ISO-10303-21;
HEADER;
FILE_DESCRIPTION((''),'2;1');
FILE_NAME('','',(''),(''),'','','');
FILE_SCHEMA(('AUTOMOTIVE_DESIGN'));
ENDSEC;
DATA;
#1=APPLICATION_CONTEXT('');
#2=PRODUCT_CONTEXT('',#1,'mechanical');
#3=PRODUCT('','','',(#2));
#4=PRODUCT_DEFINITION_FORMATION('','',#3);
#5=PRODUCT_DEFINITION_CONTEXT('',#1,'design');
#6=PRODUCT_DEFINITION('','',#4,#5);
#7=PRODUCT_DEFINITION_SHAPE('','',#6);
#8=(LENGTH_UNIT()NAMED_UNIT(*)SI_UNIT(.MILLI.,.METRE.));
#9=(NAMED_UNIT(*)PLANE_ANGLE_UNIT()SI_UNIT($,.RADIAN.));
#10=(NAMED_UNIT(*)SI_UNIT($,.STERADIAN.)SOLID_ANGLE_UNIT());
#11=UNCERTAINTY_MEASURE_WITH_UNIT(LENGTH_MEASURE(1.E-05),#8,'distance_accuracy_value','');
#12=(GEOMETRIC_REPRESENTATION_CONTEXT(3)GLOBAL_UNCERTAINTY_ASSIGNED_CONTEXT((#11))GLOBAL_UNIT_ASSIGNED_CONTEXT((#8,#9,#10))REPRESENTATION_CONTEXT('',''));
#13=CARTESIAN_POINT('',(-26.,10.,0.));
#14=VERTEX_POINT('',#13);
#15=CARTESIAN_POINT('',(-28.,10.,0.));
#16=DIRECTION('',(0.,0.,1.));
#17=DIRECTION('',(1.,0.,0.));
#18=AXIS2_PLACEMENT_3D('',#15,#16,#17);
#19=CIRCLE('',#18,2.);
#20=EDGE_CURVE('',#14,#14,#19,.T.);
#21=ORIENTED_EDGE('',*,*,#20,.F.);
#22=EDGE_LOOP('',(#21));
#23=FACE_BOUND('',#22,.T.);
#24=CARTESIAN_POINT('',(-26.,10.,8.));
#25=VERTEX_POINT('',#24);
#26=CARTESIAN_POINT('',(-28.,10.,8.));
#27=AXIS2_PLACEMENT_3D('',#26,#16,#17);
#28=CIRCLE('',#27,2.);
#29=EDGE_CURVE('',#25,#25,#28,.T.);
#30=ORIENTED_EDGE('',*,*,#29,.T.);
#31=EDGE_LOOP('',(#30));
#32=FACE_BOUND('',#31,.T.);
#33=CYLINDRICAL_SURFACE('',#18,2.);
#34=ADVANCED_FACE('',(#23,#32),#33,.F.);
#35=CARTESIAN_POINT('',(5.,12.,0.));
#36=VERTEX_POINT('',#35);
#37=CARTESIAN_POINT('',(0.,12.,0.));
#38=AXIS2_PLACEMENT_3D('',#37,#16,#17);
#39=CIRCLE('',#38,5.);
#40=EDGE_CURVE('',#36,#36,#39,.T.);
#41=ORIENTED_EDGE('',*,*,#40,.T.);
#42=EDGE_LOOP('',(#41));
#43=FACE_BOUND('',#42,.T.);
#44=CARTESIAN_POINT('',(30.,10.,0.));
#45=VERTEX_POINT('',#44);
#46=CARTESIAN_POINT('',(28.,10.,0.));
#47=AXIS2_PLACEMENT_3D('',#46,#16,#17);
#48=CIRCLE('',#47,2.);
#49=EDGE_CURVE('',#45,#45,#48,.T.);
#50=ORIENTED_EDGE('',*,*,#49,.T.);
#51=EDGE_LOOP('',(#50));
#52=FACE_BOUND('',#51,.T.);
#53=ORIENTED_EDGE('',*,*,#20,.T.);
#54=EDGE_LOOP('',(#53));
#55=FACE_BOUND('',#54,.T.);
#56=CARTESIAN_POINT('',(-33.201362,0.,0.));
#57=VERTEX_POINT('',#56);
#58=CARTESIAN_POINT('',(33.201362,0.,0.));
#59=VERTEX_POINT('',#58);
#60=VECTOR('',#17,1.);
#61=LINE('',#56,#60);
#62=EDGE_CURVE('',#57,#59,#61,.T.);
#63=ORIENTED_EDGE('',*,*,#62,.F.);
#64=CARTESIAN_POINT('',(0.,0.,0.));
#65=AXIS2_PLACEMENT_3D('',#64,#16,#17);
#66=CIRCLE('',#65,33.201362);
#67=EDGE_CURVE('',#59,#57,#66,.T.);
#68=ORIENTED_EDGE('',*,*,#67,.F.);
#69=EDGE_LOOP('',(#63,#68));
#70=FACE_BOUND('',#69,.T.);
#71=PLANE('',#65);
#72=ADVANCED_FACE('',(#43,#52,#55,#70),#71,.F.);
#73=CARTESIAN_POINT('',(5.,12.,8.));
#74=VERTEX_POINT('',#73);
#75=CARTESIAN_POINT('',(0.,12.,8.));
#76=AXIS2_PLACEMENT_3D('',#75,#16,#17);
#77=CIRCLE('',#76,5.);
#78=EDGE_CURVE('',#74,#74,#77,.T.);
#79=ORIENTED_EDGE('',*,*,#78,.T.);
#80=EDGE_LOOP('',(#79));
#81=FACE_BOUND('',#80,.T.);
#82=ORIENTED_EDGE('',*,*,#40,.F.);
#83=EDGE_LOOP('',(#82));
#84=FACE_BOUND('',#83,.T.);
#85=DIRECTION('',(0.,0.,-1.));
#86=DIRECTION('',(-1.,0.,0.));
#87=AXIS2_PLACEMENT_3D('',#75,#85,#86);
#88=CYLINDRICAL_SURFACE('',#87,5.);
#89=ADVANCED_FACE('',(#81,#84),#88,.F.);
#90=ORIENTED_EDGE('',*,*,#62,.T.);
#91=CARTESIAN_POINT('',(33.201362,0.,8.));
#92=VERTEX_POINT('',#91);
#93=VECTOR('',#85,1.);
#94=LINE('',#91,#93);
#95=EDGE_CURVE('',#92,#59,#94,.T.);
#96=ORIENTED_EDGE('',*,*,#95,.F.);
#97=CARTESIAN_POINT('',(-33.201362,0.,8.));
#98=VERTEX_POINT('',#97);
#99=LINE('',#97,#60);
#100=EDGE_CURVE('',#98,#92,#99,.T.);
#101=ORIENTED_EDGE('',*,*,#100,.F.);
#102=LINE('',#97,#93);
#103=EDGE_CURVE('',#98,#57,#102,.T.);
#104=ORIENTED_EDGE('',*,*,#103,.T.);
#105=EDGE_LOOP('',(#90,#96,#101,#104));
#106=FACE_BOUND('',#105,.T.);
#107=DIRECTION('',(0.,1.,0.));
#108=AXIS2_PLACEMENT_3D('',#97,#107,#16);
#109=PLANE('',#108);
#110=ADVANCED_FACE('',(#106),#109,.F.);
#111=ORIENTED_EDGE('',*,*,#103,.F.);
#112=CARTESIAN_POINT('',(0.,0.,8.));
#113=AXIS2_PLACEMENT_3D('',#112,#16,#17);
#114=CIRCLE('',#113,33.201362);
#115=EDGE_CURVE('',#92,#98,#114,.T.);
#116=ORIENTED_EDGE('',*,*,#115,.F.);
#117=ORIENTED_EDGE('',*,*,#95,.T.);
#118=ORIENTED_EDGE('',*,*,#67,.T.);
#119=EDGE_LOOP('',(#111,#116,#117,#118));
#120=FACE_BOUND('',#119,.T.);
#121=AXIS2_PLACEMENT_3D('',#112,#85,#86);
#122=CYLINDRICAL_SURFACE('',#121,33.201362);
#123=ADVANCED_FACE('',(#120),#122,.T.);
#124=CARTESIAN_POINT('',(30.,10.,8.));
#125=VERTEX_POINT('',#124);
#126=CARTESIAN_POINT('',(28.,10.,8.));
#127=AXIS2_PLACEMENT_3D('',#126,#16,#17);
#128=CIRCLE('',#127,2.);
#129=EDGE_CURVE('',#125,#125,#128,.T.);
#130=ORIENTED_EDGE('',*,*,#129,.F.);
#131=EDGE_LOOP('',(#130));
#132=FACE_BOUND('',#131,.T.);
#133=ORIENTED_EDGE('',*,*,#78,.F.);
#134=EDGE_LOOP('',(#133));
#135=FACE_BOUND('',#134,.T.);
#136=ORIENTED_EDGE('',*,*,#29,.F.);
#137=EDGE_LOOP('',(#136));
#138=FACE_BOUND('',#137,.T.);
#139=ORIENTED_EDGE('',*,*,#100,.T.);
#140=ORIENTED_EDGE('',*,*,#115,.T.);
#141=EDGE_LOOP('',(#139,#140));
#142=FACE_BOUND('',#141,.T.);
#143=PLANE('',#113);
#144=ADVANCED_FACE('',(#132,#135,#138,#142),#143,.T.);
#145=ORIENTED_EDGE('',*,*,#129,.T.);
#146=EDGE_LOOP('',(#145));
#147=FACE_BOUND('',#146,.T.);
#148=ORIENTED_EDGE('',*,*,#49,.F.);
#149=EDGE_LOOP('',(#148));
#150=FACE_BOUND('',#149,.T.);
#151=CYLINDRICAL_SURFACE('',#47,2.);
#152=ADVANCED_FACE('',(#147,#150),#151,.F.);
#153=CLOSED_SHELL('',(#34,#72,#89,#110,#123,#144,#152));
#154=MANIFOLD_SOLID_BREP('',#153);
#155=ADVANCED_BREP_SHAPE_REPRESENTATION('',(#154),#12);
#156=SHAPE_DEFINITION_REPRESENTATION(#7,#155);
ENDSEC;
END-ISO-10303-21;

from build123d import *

# Parameters (mm, degrees)
SKETCH_1_R          = 5
EXTRUDE_1_DEPTH     = 8
SKETCH_2_R          = 2
CUT_EXTRUDE_1_DEPTH = 8


with BuildPart() as part:
    # 草图1 → 凸台-拉伸1 (new body)
    with BuildSketch(Plane.XY):
        with BuildLine():
            Line((-33.201361832, 0), (33.201361832, 0))
            ThreePointArc((33.201361832, 0), (0, 33.201361832), (-33.201361832, 0))
        make_face()
        with Locations((0, 12)):
            Circle(SKETCH_1_R, mode=Mode.SUBTRACT)
    extrude(amount=EXTRUDE_1_DEPTH)

    # 草图2 → 切除-拉伸1 (cut)
    with BuildSketch(Plane.XY.offset(8)):
        with Locations((-28, 10)):
            Circle(SKETCH_2_R)
        with Locations((28, 10)):
            Circle(SKETCH_2_R)
    extrude(amount=-CUT_EXTRUDE_1_DEPTH, mode=Mode.SUBTRACT)


solid = part.part
